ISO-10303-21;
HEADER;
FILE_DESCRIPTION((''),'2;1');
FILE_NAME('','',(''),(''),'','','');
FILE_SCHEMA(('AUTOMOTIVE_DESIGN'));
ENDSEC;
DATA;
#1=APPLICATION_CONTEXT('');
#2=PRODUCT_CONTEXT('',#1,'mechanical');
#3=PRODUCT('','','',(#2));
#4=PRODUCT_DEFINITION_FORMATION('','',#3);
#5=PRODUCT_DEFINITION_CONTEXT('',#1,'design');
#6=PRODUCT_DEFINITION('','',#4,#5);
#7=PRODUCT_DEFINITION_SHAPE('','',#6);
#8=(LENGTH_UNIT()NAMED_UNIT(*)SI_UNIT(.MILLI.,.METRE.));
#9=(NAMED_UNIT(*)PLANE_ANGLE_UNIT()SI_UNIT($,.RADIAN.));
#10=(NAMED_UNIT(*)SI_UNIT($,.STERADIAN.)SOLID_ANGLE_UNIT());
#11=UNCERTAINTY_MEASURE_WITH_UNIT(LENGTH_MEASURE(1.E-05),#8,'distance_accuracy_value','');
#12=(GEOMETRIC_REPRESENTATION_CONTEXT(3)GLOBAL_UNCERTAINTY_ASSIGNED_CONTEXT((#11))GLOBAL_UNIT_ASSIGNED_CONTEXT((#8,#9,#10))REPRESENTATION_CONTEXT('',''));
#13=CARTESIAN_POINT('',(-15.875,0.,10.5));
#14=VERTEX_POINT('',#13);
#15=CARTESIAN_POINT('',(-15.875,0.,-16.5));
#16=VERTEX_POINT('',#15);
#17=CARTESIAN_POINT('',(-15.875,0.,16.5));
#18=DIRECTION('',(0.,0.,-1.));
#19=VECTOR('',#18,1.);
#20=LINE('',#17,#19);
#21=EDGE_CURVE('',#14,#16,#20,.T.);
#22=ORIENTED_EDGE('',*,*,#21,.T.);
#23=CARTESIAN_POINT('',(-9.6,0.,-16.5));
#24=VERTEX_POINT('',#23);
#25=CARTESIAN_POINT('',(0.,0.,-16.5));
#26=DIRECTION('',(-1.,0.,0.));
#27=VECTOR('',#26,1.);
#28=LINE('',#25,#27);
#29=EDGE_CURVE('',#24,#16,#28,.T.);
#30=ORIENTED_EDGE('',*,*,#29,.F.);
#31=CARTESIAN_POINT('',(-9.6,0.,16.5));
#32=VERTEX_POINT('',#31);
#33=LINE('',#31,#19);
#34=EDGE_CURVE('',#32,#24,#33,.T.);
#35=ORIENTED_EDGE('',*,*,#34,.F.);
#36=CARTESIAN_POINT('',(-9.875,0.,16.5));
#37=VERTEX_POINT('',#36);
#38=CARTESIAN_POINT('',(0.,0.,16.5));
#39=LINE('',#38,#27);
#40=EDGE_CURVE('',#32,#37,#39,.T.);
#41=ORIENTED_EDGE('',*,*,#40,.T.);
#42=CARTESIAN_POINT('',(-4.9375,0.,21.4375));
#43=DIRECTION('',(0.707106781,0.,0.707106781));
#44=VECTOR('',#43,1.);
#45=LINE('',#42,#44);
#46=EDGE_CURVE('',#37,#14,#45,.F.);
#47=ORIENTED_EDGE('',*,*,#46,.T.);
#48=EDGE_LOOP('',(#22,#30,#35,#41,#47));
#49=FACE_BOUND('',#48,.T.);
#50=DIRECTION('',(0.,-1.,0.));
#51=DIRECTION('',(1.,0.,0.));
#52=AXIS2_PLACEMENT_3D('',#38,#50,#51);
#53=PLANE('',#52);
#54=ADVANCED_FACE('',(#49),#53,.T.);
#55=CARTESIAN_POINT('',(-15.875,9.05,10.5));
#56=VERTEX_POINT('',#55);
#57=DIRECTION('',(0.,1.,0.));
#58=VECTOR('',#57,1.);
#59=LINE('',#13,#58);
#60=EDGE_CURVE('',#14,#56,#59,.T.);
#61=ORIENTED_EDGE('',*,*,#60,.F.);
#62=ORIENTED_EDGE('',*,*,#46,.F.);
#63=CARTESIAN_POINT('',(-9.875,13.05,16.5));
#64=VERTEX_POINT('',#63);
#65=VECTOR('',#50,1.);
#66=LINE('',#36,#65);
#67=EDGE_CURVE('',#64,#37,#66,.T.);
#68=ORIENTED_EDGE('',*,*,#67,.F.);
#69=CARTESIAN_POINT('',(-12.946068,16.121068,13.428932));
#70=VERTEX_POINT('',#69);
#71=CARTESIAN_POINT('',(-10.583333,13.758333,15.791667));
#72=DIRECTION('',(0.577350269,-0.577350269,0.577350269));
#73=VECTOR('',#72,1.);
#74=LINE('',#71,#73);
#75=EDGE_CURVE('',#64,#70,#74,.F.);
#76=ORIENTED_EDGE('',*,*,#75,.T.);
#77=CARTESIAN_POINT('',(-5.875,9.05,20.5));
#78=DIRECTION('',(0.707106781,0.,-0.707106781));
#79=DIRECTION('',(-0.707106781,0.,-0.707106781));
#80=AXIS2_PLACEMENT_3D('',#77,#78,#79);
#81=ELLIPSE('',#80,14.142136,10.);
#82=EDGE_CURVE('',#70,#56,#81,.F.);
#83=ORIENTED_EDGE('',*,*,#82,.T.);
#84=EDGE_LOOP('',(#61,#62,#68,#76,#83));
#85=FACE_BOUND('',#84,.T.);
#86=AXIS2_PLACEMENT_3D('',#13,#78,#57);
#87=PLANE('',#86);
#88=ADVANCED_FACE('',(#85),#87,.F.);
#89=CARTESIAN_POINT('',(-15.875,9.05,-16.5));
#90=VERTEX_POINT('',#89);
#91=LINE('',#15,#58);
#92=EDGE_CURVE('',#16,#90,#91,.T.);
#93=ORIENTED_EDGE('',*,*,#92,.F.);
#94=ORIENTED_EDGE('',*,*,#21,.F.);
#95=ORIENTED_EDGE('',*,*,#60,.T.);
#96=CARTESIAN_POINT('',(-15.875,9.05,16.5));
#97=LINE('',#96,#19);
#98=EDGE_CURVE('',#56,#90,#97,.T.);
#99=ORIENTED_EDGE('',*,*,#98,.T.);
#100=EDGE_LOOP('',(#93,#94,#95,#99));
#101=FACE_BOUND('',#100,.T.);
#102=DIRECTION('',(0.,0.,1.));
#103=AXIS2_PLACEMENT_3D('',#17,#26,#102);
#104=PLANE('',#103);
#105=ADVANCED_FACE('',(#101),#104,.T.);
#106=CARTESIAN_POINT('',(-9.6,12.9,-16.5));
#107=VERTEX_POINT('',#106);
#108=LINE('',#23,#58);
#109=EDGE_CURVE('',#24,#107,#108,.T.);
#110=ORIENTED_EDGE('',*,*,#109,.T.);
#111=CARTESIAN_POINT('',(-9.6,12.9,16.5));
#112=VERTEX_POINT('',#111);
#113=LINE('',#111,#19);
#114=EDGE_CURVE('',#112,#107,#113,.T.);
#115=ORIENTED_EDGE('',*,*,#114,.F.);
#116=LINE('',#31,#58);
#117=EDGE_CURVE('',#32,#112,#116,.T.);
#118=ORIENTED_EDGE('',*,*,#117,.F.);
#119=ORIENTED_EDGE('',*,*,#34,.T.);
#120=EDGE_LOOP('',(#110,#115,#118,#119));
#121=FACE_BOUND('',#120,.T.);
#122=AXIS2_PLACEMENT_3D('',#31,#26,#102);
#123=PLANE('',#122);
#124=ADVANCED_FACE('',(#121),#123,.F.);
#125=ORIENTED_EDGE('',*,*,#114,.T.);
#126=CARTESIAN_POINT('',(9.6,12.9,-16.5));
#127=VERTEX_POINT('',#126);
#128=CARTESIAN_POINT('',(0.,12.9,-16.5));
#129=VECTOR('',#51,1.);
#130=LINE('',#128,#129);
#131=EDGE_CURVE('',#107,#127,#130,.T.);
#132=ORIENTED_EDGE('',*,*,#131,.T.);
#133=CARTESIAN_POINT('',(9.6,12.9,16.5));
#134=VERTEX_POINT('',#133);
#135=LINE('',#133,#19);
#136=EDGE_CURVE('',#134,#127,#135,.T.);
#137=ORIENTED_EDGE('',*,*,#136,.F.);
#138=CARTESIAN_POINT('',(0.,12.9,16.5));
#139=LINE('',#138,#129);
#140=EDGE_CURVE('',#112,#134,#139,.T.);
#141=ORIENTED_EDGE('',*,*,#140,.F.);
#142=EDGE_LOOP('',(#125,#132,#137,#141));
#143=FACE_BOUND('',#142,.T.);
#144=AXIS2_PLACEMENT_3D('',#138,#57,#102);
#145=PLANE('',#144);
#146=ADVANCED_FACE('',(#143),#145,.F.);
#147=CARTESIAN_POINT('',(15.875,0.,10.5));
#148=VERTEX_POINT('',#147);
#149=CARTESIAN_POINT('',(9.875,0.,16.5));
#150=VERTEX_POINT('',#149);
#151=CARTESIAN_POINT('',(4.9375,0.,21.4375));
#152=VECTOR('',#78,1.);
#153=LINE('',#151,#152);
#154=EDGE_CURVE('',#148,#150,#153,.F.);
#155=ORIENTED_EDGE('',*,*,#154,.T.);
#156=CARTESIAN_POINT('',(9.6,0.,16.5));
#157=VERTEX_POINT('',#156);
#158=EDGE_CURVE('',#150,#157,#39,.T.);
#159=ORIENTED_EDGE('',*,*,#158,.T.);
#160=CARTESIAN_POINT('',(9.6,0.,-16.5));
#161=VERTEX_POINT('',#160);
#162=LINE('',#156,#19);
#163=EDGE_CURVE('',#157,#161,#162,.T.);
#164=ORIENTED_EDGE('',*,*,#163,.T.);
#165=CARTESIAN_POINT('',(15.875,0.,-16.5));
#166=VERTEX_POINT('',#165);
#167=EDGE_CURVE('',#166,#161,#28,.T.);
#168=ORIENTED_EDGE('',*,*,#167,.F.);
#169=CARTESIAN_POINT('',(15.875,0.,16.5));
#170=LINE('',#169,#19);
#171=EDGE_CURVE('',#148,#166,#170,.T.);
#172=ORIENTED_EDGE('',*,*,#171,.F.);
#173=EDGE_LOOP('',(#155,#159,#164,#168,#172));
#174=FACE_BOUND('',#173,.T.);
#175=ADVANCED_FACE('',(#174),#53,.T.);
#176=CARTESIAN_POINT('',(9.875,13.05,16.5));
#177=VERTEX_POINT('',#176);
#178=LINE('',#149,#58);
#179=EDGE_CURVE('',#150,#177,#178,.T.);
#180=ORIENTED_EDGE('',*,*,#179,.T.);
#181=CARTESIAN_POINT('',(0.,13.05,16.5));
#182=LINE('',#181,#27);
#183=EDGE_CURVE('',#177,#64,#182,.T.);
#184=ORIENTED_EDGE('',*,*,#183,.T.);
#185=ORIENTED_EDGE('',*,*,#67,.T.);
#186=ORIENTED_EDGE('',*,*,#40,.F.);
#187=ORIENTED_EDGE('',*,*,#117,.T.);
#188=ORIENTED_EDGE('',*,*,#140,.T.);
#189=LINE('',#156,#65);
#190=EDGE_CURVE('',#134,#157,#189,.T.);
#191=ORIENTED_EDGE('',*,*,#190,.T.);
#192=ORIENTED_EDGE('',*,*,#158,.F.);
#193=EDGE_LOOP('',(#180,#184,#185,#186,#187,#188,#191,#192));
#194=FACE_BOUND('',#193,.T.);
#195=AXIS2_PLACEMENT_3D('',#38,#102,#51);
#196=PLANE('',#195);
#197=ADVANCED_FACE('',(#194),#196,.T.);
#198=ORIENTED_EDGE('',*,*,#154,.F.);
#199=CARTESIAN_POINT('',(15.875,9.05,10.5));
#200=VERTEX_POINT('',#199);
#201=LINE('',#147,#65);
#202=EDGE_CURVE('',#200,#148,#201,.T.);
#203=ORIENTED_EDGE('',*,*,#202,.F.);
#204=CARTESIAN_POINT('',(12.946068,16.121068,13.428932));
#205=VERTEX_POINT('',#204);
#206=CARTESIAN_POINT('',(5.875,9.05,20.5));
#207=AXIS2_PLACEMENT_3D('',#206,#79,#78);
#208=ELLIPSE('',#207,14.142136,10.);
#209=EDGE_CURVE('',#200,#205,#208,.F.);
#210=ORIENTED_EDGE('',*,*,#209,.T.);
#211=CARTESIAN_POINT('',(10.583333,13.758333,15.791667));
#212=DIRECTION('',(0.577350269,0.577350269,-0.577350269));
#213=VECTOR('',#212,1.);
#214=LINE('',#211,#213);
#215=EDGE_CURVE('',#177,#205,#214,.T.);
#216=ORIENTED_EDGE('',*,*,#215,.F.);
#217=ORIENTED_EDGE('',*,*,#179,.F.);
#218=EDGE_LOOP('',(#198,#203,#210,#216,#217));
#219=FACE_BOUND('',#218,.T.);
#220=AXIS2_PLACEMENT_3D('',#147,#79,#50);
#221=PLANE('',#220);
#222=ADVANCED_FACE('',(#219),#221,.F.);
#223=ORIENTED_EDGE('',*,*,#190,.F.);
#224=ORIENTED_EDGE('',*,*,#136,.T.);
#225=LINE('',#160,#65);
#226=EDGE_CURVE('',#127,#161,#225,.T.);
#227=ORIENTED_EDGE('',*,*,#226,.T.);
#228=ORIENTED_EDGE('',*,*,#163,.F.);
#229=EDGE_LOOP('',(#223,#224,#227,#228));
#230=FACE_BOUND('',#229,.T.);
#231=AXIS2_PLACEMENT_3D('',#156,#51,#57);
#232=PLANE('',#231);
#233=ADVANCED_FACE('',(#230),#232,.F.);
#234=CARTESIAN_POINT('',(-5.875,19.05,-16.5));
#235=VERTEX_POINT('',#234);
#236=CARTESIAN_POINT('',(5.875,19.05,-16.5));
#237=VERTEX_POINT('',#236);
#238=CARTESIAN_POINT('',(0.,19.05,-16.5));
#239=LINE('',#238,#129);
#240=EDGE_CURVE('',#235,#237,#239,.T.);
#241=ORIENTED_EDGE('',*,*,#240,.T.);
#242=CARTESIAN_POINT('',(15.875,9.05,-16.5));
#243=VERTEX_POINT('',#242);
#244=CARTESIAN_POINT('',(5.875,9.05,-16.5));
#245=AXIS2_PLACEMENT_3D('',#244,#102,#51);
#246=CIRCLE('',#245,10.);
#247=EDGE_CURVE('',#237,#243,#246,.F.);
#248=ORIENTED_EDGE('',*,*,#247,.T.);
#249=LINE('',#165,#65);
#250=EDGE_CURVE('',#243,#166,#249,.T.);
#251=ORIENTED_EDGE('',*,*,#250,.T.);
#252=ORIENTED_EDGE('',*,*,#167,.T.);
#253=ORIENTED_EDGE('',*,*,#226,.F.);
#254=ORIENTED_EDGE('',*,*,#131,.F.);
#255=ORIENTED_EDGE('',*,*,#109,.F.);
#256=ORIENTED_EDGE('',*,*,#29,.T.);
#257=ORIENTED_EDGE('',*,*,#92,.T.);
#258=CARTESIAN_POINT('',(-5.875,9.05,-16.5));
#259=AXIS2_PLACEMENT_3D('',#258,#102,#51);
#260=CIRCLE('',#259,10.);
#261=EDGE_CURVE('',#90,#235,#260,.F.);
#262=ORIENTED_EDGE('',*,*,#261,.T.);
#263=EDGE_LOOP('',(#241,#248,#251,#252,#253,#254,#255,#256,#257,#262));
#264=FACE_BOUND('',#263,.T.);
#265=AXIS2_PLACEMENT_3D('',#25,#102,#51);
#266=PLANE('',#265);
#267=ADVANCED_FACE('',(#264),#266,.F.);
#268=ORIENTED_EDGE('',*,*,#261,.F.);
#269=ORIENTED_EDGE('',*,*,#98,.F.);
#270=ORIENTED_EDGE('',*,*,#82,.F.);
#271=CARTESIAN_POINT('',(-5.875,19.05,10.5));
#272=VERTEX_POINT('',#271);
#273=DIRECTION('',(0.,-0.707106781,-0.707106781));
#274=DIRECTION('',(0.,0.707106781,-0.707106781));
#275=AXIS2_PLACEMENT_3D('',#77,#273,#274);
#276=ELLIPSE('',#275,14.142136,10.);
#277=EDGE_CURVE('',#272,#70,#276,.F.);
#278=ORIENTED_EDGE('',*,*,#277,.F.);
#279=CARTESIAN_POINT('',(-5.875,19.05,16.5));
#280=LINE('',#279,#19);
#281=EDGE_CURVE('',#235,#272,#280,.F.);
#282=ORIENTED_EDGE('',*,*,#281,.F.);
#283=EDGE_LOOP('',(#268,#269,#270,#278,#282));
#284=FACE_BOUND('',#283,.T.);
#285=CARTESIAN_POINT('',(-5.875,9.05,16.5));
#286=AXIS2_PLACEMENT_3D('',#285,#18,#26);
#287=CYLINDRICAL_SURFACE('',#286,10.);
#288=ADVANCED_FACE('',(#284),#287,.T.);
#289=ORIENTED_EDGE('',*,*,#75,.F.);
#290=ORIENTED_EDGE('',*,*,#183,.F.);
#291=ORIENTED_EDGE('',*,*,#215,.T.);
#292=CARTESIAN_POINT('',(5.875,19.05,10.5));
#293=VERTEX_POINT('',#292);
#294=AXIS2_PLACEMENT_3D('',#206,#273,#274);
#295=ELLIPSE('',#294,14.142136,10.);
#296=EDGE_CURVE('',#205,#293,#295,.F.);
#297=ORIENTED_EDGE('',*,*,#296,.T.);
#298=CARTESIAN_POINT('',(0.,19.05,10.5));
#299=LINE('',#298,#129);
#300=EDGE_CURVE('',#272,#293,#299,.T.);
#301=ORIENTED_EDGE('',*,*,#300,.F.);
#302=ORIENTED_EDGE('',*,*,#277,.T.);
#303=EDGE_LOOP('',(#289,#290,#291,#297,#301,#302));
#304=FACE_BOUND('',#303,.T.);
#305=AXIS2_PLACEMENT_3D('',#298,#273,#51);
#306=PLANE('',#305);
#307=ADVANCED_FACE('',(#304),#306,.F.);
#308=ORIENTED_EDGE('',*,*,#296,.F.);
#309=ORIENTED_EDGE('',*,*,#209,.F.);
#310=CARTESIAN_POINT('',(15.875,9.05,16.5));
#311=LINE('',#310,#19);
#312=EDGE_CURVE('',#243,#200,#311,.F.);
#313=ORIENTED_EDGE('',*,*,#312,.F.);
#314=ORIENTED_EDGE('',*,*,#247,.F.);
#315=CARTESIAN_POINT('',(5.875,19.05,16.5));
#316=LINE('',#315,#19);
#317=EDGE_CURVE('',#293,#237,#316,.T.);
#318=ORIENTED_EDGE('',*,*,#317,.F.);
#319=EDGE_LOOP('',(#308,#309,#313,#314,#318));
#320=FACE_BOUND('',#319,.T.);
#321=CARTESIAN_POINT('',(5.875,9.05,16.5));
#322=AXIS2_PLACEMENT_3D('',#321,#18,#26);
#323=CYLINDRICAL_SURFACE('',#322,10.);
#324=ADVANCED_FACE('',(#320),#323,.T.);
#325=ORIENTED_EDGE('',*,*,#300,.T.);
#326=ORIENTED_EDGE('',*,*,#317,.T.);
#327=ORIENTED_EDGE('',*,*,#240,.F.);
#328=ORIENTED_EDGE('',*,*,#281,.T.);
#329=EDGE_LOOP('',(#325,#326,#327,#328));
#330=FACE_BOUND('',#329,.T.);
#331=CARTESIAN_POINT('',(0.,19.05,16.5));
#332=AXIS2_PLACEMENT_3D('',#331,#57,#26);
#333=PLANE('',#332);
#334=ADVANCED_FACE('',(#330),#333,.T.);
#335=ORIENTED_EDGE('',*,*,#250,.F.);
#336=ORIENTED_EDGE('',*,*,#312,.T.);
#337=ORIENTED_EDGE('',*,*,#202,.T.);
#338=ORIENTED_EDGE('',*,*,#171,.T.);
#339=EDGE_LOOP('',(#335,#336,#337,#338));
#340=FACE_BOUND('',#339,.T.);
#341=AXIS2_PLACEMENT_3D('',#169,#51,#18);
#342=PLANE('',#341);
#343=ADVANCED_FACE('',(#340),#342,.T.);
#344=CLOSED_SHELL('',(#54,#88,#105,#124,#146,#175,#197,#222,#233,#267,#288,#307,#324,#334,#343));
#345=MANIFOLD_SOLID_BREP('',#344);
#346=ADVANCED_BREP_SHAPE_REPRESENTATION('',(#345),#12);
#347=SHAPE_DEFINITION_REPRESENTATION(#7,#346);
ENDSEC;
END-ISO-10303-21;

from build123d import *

# Parameters (mm, degrees)
BOSS_EXTRUDE1_DEPTH = 16.5
CHAMFER1_SIZE       = 6
FILLET1_R           = 10


with BuildPart() as part:
    # Sketch1 → Boss-Extrude1 (new, symmetric)
    with BuildSketch(Plane.XY):
        Polygon((15.875, 0), (9.6, 0), (9.6, 12.9), (-9.6, 12.9), (-9.6, 0), (-15.875, 0), (-15.875, 19.05), (15.875, 19.05), align=None)
    extrude(amount=BOSS_EXTRUDE1_DEPTH, both=True)

    # Chamfer1
    chamfer1_edges = [part.edges().sort_by_distance(p)[0] for p in [
        (15.875, 9.525, 16.5),
        (0, 19.05, 16.5),
        (-15.875, 9.525, 16.5),
    ]]
    chamfer(chamfer1_edges, length=CHAMFER1_SIZE)

    # Fillet1
    fillet1_edges = [part.edges().sort_by_distance(p)[0] for p in [
        (-15.875, 19.05, -3),
        (15.875, 19.05, -3),
    ]]
    fillet(fillet1_edges, radius=FILLET1_R)


solid = part.part
